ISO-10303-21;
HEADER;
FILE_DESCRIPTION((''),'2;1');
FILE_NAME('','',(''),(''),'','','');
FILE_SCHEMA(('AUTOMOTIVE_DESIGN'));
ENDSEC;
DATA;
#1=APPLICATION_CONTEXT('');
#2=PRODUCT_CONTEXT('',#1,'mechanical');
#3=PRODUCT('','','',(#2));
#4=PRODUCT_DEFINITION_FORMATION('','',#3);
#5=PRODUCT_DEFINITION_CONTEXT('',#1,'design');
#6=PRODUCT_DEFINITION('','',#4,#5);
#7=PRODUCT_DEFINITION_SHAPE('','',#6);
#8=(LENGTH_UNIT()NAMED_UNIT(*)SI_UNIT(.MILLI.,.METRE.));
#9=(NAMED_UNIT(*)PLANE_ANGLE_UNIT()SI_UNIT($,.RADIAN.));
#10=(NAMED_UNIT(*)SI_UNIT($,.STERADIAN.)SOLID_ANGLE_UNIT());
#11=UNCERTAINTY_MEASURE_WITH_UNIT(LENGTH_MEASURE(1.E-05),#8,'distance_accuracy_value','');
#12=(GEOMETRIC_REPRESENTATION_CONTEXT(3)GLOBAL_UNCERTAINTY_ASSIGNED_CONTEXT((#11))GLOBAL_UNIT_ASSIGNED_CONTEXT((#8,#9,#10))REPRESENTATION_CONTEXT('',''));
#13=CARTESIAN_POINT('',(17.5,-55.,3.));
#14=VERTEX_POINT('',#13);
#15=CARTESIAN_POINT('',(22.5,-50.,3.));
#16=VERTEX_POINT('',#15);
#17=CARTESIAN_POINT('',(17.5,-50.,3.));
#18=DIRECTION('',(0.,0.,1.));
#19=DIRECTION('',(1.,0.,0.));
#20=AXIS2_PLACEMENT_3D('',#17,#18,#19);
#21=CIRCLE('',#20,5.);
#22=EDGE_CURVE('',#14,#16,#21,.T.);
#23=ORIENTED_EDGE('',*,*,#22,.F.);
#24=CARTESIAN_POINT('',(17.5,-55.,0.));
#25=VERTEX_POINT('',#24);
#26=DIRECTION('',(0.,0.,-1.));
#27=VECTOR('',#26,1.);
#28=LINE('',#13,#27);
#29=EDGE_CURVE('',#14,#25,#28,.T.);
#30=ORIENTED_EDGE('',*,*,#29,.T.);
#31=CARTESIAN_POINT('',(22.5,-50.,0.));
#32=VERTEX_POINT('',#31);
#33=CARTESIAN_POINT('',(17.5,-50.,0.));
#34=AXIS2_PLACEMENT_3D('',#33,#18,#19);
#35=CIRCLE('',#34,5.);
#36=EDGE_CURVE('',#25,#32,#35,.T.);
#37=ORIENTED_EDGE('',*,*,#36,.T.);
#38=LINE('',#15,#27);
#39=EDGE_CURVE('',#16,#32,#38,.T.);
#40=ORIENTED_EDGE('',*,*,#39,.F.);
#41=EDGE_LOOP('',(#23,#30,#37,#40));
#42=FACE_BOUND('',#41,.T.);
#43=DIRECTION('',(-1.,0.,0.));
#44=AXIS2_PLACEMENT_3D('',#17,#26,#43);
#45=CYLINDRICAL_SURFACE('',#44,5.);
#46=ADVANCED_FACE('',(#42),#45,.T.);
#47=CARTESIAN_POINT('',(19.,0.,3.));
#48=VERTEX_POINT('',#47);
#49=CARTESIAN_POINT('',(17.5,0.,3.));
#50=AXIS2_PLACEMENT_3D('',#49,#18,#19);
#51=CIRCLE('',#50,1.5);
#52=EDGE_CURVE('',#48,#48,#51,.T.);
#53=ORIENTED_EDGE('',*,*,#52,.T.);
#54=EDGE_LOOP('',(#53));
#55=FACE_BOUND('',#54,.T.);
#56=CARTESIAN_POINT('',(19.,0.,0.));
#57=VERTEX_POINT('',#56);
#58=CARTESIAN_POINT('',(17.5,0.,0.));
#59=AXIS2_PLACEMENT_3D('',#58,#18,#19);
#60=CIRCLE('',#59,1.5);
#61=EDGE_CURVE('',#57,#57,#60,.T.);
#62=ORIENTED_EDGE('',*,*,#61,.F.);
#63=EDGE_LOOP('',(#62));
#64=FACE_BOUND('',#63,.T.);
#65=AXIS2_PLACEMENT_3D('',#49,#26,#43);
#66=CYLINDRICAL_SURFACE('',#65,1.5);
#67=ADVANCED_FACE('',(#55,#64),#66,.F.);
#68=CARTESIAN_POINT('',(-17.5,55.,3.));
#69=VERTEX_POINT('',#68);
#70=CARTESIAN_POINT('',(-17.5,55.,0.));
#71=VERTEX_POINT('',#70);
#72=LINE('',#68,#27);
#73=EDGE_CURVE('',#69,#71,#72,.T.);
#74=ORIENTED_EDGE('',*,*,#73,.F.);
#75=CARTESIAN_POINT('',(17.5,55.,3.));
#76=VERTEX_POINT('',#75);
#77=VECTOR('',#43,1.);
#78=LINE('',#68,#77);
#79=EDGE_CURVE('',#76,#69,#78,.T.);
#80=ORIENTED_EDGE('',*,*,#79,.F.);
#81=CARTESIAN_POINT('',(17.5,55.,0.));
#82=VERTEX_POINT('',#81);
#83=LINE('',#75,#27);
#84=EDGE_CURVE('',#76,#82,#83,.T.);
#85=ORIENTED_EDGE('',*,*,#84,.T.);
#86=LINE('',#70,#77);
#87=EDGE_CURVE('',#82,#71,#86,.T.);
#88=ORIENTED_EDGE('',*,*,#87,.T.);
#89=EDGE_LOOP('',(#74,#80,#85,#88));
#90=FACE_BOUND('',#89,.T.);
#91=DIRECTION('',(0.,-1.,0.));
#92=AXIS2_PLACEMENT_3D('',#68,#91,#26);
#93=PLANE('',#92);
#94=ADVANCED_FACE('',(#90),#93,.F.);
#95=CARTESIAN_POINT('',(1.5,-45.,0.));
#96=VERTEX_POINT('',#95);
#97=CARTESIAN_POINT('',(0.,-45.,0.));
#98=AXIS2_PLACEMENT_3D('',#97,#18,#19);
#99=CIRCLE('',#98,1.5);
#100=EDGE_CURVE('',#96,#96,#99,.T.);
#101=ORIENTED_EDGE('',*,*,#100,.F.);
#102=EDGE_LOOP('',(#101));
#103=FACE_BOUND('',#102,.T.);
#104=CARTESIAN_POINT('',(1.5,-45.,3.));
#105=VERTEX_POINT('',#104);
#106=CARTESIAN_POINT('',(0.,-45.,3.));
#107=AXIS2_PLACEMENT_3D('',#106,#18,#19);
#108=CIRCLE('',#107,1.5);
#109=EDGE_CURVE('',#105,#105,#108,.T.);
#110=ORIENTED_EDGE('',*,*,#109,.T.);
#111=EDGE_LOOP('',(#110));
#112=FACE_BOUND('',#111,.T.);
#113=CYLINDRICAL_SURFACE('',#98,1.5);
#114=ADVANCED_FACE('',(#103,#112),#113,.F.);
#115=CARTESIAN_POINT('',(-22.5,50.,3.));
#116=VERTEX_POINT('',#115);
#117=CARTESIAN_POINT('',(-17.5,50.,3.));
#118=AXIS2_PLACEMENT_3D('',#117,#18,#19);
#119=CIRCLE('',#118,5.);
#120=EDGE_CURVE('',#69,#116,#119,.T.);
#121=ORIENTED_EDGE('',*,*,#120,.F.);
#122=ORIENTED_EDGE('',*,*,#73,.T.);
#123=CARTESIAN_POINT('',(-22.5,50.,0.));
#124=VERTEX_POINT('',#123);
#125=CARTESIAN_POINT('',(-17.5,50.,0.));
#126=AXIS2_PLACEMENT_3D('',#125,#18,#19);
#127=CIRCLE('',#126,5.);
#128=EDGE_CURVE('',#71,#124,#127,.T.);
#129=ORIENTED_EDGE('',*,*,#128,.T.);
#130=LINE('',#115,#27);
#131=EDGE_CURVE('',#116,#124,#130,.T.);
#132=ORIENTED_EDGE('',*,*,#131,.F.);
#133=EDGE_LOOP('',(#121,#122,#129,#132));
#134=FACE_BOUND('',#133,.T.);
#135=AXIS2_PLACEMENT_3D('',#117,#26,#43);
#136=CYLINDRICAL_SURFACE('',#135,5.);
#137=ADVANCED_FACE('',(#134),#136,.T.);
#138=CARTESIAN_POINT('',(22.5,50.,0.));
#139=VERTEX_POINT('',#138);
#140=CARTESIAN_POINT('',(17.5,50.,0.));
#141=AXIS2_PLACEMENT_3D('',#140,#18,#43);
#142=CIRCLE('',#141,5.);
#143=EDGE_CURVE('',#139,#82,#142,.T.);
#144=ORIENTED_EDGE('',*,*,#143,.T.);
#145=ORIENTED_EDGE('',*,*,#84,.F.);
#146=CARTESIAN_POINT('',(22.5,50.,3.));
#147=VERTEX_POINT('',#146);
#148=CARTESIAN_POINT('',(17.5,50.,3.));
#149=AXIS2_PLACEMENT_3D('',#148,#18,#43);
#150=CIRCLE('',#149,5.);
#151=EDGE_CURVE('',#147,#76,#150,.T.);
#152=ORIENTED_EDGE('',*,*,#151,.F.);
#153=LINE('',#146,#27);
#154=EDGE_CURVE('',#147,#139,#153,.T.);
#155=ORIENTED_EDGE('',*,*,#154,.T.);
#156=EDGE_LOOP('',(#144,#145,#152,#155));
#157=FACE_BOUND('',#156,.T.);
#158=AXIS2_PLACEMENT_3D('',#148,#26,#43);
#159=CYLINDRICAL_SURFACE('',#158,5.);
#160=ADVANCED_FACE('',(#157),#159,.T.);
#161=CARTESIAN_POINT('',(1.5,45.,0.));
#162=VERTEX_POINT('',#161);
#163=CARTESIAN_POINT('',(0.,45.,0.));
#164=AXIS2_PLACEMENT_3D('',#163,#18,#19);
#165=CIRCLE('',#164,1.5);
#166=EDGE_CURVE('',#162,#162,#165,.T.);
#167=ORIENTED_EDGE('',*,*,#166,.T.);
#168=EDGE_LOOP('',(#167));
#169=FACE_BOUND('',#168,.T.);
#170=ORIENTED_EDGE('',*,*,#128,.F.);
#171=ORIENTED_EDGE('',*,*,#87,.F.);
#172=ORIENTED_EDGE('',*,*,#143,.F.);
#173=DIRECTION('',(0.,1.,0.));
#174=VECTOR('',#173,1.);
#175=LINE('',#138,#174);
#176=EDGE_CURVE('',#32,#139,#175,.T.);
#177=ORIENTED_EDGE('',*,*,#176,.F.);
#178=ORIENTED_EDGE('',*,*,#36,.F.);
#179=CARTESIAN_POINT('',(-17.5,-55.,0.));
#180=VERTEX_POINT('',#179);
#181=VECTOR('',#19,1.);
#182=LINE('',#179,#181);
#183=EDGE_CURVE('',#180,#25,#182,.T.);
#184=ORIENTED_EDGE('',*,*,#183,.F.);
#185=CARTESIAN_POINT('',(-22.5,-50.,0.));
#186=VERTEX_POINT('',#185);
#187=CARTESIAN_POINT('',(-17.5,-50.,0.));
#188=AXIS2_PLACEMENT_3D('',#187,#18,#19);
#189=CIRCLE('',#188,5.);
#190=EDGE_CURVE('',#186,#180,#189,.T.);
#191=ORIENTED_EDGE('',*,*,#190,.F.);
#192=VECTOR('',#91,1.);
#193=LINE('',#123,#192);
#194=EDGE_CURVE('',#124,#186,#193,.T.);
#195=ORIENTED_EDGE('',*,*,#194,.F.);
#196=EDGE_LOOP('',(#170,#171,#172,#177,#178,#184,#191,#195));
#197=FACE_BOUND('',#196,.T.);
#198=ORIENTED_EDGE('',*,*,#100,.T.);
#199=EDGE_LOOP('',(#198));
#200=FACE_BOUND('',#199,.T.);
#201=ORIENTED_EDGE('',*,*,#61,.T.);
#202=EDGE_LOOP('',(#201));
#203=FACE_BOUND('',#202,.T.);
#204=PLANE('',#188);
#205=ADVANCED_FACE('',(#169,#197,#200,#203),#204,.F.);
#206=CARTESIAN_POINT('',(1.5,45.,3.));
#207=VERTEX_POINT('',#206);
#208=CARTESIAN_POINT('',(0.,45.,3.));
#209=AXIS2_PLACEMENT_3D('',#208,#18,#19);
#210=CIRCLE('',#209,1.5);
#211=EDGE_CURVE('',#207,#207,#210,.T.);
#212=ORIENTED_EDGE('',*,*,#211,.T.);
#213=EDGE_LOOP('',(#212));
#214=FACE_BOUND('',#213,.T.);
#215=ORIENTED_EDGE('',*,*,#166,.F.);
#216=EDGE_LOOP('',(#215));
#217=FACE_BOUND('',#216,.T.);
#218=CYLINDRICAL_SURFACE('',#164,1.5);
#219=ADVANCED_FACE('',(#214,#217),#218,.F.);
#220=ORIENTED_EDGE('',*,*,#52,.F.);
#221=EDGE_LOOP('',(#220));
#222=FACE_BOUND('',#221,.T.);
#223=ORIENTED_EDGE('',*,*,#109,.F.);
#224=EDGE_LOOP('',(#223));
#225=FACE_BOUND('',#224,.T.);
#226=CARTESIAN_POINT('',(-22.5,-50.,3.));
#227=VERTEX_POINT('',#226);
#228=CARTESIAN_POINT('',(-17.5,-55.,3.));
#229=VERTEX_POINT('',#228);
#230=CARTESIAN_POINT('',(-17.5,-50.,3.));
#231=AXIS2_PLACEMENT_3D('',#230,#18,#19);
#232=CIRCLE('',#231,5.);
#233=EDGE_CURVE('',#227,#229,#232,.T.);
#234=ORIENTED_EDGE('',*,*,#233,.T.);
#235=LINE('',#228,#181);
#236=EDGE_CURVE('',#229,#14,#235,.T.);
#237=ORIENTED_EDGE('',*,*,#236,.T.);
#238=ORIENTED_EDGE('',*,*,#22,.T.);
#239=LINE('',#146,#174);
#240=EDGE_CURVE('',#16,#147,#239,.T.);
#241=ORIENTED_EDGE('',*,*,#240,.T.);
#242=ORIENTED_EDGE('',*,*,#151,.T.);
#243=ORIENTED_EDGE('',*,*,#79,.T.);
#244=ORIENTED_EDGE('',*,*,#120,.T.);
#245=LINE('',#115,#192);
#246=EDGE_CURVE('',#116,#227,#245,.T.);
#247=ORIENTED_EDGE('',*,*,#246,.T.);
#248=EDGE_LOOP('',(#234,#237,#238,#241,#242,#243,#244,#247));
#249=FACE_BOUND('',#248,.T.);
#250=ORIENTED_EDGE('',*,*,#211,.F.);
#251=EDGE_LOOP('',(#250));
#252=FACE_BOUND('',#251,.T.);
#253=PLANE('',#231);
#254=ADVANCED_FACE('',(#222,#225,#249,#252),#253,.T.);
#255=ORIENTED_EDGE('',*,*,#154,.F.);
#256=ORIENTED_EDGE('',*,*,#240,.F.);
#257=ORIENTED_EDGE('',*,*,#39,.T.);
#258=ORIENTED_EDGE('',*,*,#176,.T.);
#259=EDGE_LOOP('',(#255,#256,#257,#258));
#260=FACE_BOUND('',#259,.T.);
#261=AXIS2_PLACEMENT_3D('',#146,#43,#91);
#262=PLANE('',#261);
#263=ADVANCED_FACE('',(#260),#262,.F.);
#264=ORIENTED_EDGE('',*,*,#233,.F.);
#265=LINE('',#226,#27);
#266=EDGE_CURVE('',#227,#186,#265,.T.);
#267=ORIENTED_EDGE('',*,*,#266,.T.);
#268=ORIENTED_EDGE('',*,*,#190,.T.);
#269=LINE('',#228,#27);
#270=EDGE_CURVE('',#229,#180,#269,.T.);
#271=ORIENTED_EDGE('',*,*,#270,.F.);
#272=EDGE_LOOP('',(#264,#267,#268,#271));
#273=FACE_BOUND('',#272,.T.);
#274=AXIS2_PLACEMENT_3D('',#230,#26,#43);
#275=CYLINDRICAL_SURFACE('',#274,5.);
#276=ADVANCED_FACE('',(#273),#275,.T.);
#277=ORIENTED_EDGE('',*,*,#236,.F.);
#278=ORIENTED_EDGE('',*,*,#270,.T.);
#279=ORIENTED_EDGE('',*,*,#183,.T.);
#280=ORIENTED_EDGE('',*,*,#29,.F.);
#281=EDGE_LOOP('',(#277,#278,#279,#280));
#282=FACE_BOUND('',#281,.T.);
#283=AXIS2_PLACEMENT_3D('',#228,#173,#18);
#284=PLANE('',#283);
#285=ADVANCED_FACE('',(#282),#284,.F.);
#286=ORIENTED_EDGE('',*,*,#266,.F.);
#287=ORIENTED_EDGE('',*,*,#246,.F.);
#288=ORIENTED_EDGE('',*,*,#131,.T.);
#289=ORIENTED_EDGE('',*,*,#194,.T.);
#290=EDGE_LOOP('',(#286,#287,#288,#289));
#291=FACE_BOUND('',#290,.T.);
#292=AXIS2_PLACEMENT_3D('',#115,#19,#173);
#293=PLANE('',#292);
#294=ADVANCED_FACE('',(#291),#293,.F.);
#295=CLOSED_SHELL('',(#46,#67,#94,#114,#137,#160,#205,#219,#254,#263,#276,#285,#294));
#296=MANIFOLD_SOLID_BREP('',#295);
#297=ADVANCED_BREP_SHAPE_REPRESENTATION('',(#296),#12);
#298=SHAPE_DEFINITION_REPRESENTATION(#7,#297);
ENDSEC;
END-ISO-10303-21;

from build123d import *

# Parameters (mm, degrees)
SKETCH1_R           = 1.5
BOSS_EXTRUDE1_DEPTH = 3
SKETCH4_R           = 1.5
CUT_EXTRUDE1_DEPTH  = 60.5


with BuildPart() as part:
    # Sketch1 → Boss-Extrude1 (new body)
    with BuildSketch(Plane.XY):
        with BuildLine():
            Line((-17.5, 55), (17.5, 55))
            ThreePointArc((17.5, 55), (21.035533906, 53.535533906), (22.5, 50))
            Line((22.5, 50), (22.5, -50))
            ThreePointArc((22.5, -50), (21.035533906, -53.535533906), (17.5, -55))
            Line((17.5, -55), (-17.5, -55))
            ThreePointArc((-17.5, -55), (-21.035533906, -53.535533906), (-22.5, -50))
            Line((-22.5, -50), (-22.5, 50))
            ThreePointArc((-22.5, 50), (-21.035533906, 53.535533906), (-17.5, 55))
        make_face()
        with Locations((17.5, 0)):
            Circle(SKETCH1_R, mode=Mode.SUBTRACT)
    extrude(amount=BOSS_EXTRUDE1_DEPTH)

    # Sketch4 → Cut-Extrude1 (cut, through all)
    with BuildSketch(Plane.XY.offset(3)):
        with Locations((0, 45)):
            Circle(SKETCH4_R)
        with Locations((0, -45)):
            Circle(SKETCH4_R)
    extrude(amount=-CUT_EXTRUDE1_DEPTH, mode=Mode.SUBTRACT)


solid = part.part
